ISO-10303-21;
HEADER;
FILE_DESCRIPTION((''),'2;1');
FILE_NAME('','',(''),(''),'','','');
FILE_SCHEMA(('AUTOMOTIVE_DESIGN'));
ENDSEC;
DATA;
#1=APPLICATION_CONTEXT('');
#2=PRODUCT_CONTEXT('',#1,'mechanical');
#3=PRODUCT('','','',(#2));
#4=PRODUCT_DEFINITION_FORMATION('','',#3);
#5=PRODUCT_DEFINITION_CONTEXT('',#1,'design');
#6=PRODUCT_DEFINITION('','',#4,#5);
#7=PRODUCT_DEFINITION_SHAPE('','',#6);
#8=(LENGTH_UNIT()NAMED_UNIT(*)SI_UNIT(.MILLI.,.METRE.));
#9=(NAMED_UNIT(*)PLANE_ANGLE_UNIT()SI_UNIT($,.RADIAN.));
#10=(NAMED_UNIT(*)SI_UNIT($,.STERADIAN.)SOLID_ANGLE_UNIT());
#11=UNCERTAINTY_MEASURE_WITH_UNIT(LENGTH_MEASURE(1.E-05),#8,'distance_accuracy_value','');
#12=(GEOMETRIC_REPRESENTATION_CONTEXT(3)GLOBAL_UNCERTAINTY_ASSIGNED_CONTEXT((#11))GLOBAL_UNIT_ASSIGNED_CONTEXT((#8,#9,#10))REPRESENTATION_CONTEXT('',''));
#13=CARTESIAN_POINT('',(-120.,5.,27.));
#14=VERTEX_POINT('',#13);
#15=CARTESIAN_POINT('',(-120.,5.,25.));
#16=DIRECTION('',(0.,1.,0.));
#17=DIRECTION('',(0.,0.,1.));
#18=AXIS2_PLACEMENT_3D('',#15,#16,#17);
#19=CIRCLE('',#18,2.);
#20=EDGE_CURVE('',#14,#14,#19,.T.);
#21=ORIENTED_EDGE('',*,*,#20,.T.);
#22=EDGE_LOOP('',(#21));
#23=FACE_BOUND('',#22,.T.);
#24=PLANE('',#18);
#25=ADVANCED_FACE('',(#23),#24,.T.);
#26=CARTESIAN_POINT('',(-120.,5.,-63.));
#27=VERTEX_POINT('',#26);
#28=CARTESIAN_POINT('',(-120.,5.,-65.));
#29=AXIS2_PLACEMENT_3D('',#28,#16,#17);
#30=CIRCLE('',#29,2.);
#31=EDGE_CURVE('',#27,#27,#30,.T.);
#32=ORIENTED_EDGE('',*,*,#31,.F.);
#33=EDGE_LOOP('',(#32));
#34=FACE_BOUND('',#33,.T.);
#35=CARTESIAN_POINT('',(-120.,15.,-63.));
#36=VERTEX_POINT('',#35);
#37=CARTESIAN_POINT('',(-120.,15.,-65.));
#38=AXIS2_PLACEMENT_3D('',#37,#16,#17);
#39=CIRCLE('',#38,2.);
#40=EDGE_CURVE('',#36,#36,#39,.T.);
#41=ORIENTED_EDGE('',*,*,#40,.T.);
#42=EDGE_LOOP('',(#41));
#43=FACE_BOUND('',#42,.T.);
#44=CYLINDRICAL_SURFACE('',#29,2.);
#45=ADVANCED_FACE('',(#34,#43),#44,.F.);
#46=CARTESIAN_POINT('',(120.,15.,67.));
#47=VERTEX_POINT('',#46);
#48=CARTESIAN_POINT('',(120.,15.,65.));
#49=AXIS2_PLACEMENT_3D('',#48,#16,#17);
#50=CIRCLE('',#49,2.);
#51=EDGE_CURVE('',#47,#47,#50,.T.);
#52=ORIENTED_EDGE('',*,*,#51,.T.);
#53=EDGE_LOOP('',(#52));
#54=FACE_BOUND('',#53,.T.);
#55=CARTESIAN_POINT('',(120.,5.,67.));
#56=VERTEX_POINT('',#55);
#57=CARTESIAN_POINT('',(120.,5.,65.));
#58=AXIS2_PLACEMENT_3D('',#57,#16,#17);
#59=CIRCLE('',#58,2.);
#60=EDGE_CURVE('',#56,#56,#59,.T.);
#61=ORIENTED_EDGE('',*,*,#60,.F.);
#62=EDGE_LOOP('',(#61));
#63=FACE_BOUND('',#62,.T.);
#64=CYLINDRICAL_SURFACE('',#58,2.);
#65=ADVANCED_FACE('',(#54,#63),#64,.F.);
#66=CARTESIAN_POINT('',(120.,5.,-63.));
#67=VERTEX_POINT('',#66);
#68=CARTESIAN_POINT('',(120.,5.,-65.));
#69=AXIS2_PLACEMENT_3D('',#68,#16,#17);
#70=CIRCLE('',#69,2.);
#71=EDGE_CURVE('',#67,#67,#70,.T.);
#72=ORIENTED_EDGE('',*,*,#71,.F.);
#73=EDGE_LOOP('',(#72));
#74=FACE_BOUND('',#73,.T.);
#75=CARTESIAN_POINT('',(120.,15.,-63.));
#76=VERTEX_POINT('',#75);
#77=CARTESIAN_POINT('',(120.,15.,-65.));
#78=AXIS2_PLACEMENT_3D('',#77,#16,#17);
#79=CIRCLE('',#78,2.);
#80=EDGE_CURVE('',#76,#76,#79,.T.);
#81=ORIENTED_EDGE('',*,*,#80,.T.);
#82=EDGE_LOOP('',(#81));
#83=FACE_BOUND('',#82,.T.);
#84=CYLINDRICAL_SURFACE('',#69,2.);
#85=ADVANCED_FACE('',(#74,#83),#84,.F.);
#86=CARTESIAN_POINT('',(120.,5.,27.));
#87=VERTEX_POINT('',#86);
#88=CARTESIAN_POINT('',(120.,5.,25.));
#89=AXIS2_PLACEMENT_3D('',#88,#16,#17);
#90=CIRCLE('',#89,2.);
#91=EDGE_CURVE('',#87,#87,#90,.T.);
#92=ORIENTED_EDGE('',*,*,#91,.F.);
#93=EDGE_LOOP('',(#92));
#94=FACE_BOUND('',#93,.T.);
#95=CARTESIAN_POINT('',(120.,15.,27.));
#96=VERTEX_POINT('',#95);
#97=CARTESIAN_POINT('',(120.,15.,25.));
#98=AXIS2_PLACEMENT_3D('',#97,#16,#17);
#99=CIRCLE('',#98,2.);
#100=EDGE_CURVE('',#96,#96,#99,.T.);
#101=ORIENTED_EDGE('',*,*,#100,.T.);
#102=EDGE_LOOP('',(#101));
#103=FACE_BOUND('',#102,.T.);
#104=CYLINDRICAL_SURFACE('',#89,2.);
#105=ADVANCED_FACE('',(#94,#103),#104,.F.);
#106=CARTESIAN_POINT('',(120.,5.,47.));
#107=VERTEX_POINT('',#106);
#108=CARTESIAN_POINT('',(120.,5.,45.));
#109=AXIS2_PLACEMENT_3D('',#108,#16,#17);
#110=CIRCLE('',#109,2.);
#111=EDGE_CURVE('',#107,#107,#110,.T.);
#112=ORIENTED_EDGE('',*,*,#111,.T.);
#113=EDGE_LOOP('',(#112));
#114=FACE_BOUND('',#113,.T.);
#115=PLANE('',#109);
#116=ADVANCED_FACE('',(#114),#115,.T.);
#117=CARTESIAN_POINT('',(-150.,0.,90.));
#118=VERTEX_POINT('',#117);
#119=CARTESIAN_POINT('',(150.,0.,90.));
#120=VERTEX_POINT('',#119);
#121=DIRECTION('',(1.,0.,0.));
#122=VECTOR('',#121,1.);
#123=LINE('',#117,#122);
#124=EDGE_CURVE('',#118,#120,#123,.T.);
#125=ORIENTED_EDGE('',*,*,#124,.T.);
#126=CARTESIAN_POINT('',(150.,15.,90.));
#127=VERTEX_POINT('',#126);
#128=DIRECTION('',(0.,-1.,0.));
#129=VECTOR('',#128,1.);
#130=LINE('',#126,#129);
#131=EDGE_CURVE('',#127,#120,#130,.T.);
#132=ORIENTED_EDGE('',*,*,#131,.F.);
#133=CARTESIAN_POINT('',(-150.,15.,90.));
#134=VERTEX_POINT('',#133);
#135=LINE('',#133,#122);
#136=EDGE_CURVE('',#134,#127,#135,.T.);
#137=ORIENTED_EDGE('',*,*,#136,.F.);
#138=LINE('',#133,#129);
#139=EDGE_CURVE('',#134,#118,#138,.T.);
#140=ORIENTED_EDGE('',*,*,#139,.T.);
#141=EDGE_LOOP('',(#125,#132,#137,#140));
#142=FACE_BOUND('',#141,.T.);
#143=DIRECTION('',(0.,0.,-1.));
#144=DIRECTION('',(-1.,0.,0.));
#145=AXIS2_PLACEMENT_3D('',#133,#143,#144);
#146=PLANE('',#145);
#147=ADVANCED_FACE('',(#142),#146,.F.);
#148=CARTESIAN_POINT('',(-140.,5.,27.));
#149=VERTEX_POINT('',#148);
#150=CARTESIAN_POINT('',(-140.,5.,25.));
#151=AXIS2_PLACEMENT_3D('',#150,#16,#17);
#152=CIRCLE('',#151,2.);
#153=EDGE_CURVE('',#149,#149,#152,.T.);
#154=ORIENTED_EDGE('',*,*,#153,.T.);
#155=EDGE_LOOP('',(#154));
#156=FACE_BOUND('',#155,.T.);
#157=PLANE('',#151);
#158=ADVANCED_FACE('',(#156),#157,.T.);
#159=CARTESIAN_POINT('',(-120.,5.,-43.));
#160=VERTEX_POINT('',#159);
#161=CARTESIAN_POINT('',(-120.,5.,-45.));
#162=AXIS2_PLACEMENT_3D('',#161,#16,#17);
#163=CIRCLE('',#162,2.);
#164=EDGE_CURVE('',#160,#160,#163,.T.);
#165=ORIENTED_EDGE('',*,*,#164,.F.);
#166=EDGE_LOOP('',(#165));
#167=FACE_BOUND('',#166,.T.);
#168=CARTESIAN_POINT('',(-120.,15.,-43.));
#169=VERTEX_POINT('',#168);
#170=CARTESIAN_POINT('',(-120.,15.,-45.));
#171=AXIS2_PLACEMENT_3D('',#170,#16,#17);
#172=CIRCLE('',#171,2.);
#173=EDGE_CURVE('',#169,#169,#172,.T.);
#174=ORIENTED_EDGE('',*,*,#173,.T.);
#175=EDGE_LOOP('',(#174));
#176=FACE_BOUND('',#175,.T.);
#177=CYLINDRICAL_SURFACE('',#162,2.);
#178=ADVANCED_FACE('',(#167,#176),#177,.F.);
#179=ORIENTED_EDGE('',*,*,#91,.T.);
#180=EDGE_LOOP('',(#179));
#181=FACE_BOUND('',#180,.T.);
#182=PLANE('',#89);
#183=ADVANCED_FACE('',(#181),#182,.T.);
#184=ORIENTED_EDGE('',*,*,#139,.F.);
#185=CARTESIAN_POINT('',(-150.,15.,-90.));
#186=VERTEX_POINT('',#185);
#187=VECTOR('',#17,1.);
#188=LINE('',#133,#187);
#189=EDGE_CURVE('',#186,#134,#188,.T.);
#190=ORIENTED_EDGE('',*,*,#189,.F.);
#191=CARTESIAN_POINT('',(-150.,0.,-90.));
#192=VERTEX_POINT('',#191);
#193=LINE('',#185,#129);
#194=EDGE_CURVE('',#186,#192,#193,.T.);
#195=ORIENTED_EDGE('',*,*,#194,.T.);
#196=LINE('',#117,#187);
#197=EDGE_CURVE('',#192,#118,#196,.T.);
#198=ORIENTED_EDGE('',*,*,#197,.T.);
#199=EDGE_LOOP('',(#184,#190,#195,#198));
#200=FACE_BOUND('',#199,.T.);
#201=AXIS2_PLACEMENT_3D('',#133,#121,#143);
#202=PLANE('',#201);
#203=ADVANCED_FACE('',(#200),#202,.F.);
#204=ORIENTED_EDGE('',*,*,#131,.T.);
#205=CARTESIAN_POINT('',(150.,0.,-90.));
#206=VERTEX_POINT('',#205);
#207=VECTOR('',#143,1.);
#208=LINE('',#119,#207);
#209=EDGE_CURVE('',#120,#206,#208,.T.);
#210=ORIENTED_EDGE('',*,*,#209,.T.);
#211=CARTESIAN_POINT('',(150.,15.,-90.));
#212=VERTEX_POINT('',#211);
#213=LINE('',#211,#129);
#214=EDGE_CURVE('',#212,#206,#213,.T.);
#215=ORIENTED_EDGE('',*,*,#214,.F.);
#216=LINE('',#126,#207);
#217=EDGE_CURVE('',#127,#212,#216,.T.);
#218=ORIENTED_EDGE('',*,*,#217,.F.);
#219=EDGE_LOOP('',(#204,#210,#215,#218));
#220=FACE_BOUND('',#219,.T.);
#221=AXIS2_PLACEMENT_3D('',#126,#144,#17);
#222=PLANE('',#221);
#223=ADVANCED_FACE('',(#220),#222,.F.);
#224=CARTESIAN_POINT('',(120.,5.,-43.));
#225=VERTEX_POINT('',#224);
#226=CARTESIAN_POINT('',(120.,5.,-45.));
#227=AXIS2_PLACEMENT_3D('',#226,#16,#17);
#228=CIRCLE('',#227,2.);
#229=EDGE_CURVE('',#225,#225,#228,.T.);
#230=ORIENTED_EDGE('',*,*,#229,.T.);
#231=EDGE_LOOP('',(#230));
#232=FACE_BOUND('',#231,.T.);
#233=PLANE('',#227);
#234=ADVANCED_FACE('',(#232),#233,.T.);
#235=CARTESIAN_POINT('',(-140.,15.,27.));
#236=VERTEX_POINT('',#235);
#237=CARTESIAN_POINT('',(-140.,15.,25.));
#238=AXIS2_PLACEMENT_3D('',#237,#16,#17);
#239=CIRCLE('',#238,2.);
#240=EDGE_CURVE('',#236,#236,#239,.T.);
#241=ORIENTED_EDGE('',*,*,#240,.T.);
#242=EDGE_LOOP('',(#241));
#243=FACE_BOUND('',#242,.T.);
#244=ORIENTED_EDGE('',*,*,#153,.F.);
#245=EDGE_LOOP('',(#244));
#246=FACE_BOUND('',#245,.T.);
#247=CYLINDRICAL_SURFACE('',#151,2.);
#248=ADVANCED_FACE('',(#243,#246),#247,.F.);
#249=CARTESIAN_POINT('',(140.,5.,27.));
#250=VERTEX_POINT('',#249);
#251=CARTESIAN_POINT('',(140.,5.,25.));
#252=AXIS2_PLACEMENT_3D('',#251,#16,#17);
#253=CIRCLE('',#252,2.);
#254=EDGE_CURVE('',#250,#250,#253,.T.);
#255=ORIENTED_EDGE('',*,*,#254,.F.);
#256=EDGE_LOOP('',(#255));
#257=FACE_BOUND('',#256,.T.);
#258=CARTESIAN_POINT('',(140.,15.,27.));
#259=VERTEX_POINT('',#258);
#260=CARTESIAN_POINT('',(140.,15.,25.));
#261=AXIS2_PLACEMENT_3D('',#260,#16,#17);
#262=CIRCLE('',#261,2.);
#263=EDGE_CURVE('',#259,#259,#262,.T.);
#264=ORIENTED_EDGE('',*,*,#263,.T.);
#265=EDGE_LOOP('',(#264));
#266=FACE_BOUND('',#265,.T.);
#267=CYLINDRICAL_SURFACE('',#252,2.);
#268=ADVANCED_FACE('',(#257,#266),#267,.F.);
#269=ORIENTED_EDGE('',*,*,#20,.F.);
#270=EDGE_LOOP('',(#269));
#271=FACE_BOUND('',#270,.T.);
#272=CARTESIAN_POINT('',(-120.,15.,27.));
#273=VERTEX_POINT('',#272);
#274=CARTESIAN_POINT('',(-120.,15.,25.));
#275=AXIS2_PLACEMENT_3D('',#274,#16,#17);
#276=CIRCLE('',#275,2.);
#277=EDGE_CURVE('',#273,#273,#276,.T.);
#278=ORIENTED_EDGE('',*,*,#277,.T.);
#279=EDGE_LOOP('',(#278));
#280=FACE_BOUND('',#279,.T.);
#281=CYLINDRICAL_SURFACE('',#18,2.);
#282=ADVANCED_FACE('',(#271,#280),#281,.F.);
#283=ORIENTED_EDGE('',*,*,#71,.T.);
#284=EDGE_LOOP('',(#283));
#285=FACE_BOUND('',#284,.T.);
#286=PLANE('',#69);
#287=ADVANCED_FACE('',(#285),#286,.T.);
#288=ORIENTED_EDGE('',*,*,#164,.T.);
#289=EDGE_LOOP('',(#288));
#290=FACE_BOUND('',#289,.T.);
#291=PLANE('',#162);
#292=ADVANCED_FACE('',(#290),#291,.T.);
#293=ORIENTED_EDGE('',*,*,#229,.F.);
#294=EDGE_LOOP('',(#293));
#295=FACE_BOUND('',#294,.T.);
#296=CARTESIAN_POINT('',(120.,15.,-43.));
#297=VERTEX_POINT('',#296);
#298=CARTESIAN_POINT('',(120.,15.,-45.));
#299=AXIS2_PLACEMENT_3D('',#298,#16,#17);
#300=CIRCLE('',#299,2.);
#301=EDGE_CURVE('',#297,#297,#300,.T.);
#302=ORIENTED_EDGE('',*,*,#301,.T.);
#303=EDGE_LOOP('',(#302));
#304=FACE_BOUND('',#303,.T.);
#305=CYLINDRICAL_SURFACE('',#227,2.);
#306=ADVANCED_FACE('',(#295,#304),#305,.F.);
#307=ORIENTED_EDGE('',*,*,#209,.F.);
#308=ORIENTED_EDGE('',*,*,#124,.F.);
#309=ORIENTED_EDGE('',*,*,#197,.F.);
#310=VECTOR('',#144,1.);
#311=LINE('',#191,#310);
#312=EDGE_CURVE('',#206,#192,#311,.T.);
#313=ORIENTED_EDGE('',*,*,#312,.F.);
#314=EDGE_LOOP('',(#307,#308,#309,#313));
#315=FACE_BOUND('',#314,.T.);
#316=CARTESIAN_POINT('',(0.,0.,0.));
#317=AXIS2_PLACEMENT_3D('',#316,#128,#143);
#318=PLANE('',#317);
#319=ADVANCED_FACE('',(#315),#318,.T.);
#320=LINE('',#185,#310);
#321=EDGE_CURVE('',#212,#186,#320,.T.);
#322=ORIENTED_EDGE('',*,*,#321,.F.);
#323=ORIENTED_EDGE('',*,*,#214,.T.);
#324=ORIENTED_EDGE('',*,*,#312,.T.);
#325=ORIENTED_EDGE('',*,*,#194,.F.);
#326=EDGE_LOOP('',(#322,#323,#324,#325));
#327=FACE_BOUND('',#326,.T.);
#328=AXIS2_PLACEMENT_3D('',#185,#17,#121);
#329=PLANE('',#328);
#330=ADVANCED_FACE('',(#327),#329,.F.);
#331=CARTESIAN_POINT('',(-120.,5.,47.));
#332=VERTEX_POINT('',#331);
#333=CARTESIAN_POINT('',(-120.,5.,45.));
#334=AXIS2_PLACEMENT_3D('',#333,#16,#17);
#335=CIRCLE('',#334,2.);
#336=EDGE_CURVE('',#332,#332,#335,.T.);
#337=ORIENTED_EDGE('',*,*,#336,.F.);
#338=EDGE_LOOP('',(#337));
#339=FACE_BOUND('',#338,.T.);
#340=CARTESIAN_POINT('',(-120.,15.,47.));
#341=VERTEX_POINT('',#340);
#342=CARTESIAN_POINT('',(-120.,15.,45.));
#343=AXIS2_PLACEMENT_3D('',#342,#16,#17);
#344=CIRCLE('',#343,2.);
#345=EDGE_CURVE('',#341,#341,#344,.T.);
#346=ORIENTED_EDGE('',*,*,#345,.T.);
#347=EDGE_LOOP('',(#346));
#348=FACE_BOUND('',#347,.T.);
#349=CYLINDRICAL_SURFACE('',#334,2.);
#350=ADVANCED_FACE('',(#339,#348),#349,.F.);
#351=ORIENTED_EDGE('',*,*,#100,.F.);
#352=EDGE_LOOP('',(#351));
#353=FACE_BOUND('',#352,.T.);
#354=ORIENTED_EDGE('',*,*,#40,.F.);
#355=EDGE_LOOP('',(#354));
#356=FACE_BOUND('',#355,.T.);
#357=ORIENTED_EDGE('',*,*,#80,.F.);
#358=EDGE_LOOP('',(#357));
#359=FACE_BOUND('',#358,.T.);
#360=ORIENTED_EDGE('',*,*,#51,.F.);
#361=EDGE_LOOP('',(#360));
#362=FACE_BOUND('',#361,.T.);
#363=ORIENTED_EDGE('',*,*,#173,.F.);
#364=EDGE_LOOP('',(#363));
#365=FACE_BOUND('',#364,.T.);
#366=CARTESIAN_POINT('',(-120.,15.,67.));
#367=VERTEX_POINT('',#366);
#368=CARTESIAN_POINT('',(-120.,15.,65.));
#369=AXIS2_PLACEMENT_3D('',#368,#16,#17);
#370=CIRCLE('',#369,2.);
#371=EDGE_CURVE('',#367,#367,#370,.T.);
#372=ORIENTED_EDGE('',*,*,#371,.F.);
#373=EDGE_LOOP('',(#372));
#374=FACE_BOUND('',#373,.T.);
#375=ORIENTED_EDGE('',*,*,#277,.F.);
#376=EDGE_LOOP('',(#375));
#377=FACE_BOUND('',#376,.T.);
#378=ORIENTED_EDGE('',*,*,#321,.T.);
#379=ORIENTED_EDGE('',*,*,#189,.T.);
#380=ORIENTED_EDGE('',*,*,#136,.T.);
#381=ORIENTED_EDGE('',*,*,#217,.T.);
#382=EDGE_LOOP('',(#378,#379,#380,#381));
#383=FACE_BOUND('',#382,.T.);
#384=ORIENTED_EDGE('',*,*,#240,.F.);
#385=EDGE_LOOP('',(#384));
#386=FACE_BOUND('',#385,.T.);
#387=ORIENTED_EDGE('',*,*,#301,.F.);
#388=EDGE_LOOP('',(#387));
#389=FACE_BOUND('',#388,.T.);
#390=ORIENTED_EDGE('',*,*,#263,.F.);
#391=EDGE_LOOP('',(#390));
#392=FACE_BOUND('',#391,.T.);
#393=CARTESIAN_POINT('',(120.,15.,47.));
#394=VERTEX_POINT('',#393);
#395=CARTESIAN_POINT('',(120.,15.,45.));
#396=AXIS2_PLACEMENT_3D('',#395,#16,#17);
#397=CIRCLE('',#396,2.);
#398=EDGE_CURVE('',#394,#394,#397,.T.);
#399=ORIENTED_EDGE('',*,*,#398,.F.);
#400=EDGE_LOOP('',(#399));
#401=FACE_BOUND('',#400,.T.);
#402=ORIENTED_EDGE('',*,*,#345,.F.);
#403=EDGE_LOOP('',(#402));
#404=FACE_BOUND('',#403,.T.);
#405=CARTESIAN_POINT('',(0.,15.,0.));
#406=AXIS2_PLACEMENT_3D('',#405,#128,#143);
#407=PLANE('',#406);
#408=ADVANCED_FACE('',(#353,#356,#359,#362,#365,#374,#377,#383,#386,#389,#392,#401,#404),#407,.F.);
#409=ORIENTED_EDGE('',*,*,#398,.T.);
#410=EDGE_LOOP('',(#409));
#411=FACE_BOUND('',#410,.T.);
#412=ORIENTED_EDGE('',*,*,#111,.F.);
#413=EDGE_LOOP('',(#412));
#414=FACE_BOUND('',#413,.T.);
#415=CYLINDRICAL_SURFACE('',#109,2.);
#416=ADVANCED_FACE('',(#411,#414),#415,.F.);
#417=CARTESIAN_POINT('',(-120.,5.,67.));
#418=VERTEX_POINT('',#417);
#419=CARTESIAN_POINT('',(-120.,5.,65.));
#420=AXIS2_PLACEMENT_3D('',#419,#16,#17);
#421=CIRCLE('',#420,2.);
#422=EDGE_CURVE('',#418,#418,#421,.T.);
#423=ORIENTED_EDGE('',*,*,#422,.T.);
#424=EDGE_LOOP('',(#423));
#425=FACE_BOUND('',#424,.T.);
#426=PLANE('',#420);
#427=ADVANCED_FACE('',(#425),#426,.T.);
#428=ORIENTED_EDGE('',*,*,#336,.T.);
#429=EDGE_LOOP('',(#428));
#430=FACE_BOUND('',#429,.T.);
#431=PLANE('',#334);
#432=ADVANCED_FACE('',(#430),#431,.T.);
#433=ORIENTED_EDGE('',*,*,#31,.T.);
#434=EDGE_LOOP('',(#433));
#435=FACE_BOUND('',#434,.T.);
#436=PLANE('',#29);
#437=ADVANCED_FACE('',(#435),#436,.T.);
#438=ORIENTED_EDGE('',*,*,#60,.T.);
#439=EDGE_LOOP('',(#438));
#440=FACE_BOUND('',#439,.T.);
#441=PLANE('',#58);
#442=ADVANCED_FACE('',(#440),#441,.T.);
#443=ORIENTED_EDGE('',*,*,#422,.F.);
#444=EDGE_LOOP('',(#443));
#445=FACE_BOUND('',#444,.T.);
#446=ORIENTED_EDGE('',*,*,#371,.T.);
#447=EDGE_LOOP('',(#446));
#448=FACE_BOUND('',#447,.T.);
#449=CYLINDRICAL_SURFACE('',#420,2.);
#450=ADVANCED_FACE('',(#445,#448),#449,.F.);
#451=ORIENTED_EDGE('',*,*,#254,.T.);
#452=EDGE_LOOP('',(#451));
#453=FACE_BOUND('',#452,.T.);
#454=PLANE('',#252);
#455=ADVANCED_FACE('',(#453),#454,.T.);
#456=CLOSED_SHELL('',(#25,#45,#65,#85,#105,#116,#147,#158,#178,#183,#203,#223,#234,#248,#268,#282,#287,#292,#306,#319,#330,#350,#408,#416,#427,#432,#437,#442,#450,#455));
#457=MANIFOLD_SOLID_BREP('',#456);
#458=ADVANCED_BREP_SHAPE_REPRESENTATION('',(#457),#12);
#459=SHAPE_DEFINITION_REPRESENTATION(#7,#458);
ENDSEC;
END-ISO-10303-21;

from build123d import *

# Parameters (mm, degrees)
CROQUIS1_W              = 300
CROQUIS1_H              = 180
SALIENTE_EXTRUIR1_DEPTH = 15
CROQUIS2_R              = 2
CORTAR_EXTRUIR1_DEPTH   = 10


with BuildPart() as part:
    # Croquis1 → Saliente-Extruir1 (new body)
    with BuildSketch(Plane(origin=(0, 0, 0), x_dir=(1, 0, 0), z_dir=(0, 1, 0))):
        Rectangle(CROQUIS1_W, CROQUIS1_H)
    extrude(amount=SALIENTE_EXTRUIR1_DEPTH)

    # Croquis2 → Cortar-Extruir1 (cut)
    with BuildSketch(Plane(origin=(0, 15, 0), x_dir=(1, 0, 0), z_dir=(0, 1, 0))):
        with Locations(Location((-120, -65, 0), (0, 0, 270))):
            Circle(CROQUIS2_R)
        with Locations(Location((-120, -45, 0), (0, 0, 270))):
            Circle(CROQUIS2_R)
        with Locations(Location((120, -65, 0), (0, 0, 270))):
            Circle(CROQUIS2_R)
        with Locations(Location((120, -45, 0), (0, 0, 270))):
            Circle(CROQUIS2_R)
        with Locations(Location((-140, -25, 0), (0, 0, 270))):
            Circle(CROQUIS2_R)
        with Locations(Location((-120, -25, 0), (0, 0, 270))):
            Circle(CROQUIS2_R)
        with Locations(Location((120, -25, 0), (0, 0, 270))):
            Circle(CROQUIS2_R)
        with Locations(Location((140, -25, 0), (0, 0, 270))):
            Circle(CROQUIS2_R)
        with Locations(Location((-120, 65, 0), (0, 0, 270))):
            Circle(CROQUIS2_R)
        with Locations(Location((-120, 45, 0), (0, 0, 270))):
            Circle(CROQUIS2_R)
        with Locations(Location((120, 45, 0), (0, 0, 270))):
            Circle(CROQUIS2_R)
        with Locations(Location((120, 65, 0), (0, 0, 270))):
            Circle(CROQUIS2_R)
    extrude(amount=-CORTAR_EXTRUIR1_DEPTH, mode=Mode.SUBTRACT)


solid = part.part
